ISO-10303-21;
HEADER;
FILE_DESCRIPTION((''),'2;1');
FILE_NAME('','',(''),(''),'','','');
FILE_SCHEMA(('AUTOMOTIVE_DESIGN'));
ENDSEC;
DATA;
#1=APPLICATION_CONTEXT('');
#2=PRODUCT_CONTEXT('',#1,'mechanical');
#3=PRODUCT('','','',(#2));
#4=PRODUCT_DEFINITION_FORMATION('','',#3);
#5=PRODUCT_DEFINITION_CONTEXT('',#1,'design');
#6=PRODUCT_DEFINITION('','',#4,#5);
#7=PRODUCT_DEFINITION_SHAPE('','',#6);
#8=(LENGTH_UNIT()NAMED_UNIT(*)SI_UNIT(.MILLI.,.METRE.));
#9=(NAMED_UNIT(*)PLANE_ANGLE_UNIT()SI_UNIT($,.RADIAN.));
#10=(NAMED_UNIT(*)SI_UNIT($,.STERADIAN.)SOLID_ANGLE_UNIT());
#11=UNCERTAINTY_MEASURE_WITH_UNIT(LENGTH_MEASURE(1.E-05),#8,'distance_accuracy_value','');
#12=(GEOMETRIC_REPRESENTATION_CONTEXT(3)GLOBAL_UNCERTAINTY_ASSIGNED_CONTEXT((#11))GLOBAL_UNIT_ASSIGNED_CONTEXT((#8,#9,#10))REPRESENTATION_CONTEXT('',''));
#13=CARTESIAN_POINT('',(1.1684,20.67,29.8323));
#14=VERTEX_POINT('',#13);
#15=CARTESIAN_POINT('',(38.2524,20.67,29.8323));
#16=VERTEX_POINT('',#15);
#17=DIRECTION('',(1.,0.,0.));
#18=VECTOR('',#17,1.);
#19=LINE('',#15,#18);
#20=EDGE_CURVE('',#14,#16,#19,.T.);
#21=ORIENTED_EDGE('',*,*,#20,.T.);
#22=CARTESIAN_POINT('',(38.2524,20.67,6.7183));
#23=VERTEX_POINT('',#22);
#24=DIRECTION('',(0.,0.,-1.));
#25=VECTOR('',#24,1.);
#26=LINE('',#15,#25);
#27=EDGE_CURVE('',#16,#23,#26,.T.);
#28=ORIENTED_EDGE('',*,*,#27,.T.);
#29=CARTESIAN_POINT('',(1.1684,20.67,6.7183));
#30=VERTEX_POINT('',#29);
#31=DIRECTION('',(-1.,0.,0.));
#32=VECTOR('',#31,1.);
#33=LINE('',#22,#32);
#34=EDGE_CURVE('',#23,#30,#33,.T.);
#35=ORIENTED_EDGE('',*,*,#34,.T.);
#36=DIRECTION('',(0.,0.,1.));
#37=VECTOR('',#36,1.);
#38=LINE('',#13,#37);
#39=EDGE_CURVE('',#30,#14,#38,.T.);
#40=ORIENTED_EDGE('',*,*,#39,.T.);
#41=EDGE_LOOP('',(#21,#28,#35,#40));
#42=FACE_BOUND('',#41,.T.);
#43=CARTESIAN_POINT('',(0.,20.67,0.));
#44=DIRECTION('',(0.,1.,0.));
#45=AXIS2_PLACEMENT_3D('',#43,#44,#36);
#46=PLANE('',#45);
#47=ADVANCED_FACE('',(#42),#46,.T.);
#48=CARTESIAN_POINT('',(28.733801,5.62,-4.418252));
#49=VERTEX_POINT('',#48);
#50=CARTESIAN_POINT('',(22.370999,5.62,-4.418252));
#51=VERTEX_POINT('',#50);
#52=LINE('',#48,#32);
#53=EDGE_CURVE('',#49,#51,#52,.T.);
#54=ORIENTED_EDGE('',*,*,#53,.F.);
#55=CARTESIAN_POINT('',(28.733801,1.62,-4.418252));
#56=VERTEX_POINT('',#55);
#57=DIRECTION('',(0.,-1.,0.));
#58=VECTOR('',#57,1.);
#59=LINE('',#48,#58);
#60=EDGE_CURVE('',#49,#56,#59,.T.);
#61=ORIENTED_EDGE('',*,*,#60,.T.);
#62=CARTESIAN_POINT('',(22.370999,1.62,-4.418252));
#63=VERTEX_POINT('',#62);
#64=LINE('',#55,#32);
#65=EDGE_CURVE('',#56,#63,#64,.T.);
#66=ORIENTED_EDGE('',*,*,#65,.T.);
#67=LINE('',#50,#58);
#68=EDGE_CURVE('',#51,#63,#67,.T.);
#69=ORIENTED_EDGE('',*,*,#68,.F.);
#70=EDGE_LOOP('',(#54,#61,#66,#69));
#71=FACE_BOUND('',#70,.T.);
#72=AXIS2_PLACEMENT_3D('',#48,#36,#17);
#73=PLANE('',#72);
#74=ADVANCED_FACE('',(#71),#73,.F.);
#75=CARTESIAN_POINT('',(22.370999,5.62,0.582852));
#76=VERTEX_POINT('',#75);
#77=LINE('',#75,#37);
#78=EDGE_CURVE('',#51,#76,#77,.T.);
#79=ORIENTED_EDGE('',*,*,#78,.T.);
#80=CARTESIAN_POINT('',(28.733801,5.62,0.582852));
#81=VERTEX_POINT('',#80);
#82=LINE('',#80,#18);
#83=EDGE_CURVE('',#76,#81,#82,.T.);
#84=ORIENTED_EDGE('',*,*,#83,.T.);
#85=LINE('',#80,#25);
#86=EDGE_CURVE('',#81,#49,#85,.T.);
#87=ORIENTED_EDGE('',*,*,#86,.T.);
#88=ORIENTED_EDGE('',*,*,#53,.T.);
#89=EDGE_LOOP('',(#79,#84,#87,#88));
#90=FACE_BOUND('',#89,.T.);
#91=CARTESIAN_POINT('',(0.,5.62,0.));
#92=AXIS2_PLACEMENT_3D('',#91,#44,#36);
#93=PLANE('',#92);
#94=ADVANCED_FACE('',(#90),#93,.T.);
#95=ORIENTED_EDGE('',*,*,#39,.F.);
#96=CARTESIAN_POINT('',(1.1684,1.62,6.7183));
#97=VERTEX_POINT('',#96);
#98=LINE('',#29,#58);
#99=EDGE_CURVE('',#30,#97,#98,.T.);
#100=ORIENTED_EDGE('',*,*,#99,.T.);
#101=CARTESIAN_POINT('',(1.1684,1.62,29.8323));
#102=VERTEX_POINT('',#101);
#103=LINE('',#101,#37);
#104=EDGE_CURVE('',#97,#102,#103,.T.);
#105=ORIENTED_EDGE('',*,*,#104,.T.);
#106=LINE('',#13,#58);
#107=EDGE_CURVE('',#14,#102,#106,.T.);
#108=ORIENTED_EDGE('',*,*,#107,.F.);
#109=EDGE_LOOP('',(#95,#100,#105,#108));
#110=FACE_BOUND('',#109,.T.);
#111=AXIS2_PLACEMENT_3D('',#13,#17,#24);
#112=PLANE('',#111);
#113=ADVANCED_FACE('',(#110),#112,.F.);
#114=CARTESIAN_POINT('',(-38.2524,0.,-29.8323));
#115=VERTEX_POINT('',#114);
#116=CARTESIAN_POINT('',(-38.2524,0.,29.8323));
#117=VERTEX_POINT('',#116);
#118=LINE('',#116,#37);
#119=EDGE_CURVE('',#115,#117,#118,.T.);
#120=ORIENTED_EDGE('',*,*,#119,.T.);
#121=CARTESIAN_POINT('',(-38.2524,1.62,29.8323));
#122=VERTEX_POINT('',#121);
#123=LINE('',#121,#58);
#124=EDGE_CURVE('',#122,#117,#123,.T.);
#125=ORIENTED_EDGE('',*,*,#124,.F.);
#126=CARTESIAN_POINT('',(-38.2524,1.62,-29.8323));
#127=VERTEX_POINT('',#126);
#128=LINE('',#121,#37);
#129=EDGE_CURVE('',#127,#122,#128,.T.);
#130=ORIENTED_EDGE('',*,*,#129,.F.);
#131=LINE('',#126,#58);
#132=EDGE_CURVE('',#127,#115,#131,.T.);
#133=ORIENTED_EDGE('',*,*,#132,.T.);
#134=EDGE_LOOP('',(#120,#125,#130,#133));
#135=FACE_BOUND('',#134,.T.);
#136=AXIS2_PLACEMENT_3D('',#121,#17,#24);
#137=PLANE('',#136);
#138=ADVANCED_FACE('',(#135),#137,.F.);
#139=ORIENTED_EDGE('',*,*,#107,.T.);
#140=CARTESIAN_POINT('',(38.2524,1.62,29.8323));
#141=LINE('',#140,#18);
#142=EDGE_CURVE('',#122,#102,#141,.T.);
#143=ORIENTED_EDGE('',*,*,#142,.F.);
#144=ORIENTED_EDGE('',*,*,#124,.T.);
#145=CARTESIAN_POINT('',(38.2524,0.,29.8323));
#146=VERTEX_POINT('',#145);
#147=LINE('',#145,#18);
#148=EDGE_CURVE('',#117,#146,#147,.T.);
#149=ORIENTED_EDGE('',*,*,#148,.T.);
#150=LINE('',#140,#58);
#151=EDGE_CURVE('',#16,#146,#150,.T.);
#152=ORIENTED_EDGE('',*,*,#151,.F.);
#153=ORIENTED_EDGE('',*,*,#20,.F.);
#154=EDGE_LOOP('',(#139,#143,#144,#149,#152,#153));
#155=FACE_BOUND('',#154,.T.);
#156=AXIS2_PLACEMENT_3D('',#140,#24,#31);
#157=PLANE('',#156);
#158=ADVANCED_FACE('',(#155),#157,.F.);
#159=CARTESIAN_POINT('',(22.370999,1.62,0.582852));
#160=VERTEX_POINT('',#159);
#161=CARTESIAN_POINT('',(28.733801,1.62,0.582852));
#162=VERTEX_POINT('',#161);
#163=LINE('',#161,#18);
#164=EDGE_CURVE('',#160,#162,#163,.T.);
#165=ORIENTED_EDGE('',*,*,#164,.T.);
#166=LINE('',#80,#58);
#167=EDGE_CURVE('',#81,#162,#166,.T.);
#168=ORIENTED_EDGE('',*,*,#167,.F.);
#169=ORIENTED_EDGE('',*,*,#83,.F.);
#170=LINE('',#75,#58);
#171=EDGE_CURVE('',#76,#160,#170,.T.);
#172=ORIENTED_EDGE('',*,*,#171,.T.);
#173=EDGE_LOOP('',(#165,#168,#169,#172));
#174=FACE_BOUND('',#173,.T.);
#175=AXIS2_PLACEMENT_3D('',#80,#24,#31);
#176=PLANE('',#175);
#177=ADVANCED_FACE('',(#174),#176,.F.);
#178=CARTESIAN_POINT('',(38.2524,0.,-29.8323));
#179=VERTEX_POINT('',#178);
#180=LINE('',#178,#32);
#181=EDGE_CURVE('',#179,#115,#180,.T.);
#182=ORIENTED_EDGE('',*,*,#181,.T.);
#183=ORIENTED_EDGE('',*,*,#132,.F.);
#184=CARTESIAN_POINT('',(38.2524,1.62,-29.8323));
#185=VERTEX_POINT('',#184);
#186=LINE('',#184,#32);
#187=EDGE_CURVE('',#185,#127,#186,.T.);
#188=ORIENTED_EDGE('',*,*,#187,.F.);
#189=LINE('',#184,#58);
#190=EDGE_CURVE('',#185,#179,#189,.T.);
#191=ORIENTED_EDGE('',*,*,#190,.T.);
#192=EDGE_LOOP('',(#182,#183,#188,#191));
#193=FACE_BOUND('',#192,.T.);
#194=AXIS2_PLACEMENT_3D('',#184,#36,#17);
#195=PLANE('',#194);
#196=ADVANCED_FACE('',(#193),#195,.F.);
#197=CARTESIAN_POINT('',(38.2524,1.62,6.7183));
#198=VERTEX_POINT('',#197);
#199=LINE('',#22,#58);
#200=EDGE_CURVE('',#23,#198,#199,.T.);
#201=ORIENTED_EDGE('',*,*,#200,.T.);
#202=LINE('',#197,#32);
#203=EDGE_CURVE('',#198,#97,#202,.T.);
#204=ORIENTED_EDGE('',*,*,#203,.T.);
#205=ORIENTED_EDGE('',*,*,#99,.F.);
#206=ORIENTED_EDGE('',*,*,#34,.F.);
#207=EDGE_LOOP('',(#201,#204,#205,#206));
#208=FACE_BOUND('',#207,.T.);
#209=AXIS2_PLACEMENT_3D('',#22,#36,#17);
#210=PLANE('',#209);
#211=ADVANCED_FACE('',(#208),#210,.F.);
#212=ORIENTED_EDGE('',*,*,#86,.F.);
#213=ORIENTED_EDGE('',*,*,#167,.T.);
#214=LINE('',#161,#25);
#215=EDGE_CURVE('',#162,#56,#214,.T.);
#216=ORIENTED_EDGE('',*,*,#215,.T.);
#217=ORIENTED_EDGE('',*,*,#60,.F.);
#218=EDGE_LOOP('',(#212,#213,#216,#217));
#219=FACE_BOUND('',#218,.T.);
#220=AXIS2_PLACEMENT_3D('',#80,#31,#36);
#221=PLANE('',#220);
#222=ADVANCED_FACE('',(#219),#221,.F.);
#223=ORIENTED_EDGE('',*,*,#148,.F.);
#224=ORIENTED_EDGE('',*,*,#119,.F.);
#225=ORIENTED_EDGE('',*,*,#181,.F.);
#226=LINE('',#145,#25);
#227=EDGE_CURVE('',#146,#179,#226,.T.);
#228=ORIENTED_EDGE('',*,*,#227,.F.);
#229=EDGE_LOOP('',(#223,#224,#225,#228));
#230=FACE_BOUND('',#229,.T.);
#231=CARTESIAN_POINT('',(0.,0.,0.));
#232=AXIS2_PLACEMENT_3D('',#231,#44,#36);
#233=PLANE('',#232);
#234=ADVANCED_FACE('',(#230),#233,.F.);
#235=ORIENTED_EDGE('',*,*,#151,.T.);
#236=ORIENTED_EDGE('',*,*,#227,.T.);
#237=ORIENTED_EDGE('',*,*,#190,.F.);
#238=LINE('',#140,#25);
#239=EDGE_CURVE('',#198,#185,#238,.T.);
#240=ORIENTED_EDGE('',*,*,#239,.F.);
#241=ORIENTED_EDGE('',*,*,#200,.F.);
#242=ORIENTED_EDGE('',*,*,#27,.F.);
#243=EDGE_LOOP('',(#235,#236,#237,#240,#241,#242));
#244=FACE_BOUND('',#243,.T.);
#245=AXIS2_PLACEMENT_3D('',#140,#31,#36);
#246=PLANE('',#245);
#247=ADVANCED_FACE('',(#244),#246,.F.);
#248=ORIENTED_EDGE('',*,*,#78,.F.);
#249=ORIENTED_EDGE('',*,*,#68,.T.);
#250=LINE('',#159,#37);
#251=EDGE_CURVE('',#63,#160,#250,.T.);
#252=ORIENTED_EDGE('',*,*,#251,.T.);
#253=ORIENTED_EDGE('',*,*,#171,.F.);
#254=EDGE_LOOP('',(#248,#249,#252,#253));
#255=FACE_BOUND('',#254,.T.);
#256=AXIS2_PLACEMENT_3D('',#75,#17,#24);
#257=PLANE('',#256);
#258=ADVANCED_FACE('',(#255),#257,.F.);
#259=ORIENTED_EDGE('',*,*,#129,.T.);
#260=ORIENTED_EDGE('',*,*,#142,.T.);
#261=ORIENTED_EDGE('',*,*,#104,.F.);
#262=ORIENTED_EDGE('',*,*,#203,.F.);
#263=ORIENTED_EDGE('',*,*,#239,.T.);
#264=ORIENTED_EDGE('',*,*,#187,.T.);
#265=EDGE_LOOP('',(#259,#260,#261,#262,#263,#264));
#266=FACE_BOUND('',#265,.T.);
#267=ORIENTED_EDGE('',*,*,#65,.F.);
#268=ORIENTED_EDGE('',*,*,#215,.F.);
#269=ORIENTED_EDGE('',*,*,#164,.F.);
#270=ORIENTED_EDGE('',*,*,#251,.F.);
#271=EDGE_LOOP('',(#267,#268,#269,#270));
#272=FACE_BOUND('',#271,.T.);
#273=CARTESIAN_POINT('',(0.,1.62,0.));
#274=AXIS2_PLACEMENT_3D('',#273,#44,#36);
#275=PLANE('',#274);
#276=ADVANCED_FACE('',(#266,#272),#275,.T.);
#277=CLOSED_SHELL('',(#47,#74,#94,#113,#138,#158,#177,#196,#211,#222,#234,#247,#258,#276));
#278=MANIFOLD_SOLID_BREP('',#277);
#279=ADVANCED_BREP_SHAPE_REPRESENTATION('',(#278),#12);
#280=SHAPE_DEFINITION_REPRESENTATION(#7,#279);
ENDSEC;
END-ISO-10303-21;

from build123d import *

# Parameters (mm, degrees)
SKETCH1_W           = 76.5048
SKETCH1_H           = 59.6646
BOSS_EXTRUDE1_DEPTH = 1.62
SKETCH2_W           = 37.084
SKETCH2_H           = 23.114
BOSS_EXTRUDE2_DEPTH = 19.05
SKETCH3_W           = 6.362801742
SKETCH3_H           = 5.001103528
BOSS_EXTRUDE3_DEPTH = 4


with BuildPart() as part:
    # Sketch1 → Boss-Extrude1 (new body)
    with BuildSketch(Plane(origin=(0, 0, 0), x_dir=(1, 0, 0), z_dir=(0, 1, 0))):
        Rectangle(SKETCH1_W, SKETCH1_H)
    extrude(amount=BOSS_EXTRUDE1_DEPTH)

    # Sketch2 → Boss-Extrude2 (add)
    with BuildSketch(Plane(origin=(0, 1.62, 0), x_dir=(1, 0, 0), z_dir=(0, 1, 0))):
        with Locations((19.7104, -18.2753)):
            Rectangle(SKETCH2_W, SKETCH2_H)
    extrude(amount=BOSS_EXTRUDE2_DEPTH)

    # Sketch3 → Boss-Extrude3 (add)
    with BuildSketch(Plane(origin=(0, 1.62, 0), x_dir=(1, 0, 0), z_dir=(0, 1, 0))):
        with Locations((25.5524, 1.9177)):
            Rectangle(SKETCH3_W, SKETCH3_H)
    extrude(amount=BOSS_EXTRUDE3_DEPTH)


solid = part.part
